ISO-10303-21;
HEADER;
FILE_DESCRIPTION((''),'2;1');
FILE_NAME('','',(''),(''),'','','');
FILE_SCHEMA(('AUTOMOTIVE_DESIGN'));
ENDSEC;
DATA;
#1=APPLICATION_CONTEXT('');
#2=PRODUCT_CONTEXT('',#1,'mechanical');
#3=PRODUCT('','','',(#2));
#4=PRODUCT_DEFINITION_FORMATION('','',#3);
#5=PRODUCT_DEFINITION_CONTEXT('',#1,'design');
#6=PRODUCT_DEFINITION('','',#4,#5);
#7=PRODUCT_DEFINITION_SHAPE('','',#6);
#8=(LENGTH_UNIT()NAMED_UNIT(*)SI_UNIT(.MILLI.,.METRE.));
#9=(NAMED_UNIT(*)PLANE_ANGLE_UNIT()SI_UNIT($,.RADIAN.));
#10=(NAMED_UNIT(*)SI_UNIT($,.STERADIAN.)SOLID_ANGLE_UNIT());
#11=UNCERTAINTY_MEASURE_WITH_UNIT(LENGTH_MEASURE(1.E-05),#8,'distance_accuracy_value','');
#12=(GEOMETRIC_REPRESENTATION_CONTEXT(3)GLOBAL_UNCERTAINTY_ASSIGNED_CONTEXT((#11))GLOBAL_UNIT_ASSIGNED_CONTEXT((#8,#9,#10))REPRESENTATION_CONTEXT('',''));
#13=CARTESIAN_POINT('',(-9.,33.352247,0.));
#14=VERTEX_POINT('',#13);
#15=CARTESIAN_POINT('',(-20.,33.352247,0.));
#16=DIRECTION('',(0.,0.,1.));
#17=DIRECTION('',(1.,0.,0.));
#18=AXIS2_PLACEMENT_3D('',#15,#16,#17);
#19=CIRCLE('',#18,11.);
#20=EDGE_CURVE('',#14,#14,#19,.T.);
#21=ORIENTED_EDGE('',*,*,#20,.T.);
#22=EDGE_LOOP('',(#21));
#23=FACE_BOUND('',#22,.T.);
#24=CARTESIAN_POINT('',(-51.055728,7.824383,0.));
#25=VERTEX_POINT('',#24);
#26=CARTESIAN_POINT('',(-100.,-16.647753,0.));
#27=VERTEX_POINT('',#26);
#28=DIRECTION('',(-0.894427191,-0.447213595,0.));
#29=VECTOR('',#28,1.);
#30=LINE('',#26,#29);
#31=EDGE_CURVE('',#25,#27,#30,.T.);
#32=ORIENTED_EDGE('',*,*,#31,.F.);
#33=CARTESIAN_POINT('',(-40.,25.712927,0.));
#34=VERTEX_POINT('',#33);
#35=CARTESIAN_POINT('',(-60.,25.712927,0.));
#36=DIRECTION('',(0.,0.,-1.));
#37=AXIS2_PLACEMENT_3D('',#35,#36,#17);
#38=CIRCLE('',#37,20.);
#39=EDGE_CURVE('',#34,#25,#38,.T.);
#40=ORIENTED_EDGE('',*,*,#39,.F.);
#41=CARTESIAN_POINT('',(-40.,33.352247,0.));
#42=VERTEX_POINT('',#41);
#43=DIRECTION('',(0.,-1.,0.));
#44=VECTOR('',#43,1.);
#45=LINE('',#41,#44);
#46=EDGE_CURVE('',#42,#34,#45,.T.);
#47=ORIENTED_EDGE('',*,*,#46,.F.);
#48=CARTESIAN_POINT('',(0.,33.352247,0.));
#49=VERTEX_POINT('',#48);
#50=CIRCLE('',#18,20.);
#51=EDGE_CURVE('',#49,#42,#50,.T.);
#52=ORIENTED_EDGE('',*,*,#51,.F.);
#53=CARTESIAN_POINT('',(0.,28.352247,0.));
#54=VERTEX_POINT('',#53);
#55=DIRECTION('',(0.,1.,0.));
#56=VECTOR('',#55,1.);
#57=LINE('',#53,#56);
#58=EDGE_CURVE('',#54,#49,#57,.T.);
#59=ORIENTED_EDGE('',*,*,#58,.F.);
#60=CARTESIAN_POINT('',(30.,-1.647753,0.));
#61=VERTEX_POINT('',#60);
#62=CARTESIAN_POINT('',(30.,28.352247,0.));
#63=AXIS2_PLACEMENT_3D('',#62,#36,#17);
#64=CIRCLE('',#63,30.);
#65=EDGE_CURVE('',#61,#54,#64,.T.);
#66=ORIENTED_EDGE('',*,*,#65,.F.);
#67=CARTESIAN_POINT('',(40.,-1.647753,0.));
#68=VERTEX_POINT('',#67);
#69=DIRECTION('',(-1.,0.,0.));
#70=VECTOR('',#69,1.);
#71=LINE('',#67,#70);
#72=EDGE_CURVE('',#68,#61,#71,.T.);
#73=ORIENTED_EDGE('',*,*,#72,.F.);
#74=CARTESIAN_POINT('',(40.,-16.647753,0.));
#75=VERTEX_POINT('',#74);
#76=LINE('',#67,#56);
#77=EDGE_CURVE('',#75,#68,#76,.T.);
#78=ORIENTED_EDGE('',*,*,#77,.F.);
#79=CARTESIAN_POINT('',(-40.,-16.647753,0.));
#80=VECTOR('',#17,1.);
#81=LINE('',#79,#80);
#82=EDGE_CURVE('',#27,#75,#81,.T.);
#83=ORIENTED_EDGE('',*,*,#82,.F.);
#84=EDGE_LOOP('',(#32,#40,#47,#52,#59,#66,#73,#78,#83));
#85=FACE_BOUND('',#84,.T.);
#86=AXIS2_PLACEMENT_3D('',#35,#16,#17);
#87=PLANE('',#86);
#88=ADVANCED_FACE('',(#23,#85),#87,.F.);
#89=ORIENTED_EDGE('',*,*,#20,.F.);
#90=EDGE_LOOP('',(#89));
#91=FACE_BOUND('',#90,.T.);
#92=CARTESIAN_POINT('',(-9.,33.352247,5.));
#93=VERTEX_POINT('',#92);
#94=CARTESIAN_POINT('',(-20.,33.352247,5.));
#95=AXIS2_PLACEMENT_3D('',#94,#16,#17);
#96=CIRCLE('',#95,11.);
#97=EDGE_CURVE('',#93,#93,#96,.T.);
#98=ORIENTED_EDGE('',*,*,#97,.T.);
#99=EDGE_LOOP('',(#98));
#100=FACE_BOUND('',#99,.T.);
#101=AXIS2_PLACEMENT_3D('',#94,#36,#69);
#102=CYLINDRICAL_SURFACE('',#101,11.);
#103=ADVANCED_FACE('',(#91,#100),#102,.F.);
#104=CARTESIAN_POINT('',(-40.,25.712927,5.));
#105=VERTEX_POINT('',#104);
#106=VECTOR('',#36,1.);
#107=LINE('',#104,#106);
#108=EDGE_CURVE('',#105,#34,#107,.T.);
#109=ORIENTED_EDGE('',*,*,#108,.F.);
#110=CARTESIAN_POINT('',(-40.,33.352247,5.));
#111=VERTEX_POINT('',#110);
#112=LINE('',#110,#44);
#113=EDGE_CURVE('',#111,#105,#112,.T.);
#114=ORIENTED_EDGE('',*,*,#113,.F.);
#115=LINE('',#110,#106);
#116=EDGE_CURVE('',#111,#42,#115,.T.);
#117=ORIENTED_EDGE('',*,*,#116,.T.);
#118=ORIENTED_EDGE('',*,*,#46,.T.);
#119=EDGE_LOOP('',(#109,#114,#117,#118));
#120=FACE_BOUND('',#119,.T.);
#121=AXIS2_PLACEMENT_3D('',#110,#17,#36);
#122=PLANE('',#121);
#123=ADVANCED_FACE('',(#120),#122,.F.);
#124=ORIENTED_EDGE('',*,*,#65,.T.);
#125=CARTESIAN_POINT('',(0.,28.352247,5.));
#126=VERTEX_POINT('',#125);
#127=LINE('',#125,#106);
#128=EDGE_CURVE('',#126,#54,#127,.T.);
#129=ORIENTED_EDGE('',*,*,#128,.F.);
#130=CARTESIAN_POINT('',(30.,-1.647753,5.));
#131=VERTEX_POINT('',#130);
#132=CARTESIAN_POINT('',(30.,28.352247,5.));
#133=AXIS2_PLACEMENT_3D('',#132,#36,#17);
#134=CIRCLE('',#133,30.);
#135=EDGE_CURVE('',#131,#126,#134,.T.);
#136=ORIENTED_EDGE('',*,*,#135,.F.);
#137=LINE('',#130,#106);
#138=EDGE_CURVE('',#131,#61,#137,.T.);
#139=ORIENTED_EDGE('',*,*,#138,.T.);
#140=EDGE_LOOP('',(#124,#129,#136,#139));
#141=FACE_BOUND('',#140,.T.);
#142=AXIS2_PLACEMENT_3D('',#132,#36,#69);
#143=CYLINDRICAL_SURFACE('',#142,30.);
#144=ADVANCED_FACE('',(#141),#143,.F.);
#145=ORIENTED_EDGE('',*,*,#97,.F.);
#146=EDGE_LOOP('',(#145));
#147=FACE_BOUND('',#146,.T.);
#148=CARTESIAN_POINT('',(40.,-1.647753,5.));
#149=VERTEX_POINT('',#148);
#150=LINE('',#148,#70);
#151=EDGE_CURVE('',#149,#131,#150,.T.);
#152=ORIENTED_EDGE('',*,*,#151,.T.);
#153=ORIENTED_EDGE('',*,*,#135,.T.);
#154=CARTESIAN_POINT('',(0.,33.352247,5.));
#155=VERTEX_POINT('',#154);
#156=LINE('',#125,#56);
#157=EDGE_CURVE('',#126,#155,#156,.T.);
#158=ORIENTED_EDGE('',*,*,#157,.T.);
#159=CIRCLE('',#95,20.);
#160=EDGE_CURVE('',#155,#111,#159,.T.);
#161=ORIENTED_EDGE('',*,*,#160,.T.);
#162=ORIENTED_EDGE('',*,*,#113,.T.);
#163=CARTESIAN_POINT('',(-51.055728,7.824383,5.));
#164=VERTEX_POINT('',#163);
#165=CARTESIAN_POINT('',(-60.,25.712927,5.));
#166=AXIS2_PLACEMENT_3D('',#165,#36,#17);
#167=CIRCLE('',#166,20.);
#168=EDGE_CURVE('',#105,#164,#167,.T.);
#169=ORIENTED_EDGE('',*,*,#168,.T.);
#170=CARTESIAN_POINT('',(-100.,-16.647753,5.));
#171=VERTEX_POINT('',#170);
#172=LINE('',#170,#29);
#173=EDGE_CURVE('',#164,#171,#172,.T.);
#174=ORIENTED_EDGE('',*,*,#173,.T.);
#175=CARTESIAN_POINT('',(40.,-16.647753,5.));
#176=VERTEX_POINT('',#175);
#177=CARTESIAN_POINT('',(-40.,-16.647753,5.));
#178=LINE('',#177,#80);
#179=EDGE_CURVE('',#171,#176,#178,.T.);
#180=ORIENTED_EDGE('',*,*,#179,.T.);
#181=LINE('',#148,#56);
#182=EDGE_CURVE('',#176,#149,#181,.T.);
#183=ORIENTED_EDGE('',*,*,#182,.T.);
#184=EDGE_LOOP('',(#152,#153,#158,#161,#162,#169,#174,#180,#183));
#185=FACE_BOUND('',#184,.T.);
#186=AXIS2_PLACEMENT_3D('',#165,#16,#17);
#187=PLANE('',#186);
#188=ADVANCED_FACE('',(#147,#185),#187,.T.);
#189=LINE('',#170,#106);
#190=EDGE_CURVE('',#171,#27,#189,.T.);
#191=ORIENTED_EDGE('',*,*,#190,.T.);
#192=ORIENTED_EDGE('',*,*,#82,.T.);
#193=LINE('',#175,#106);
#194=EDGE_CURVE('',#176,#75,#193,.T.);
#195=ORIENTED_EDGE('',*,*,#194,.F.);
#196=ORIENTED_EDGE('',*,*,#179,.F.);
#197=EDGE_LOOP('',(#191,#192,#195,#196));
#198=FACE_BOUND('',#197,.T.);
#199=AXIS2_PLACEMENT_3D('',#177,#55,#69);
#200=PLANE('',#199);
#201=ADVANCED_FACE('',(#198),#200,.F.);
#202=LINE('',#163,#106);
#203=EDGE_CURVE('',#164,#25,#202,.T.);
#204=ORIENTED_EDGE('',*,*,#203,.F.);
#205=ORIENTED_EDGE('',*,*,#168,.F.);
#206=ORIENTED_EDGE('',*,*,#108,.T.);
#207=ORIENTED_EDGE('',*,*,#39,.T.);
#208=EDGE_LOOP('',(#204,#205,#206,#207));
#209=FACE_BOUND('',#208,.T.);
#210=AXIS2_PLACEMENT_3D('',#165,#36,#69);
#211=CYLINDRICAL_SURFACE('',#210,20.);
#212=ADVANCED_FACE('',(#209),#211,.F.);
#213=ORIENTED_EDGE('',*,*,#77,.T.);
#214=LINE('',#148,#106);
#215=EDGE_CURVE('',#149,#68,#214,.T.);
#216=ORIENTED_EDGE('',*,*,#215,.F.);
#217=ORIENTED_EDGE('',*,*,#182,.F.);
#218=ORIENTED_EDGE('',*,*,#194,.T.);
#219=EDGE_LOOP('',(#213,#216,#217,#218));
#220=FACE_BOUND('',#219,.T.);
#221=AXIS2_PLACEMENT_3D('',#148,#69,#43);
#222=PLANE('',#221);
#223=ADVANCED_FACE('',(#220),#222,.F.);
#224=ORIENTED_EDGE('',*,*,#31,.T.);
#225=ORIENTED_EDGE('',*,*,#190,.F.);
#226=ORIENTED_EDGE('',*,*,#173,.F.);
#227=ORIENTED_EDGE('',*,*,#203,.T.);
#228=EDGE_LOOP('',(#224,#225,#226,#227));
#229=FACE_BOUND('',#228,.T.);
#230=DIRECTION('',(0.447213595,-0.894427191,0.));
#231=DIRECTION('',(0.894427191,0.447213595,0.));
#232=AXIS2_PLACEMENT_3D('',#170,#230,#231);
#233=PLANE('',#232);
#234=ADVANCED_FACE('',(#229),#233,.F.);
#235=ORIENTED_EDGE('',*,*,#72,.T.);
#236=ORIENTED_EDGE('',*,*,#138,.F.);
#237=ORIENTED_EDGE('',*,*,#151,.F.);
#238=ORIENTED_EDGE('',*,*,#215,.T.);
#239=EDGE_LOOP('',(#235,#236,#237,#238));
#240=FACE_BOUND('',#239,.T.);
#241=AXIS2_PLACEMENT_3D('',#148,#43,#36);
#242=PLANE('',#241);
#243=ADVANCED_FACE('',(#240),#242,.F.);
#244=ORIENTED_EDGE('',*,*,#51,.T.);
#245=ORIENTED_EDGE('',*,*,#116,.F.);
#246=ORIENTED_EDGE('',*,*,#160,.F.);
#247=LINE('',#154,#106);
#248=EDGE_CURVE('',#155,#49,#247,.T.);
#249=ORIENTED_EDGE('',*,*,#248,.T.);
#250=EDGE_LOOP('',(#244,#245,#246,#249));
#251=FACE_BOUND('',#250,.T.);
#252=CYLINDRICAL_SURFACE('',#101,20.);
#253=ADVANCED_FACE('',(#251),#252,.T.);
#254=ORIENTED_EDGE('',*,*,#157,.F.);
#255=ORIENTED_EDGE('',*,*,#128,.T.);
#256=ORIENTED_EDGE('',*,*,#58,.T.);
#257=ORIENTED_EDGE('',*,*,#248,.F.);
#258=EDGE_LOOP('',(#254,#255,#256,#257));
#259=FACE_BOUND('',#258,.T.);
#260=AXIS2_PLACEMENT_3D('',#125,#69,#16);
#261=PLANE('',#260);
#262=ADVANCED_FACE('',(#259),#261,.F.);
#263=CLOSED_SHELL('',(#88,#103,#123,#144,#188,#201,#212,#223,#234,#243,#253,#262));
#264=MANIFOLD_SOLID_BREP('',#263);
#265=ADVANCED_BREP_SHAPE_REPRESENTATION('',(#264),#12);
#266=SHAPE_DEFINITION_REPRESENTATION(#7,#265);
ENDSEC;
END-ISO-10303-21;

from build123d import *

# Parameters (mm, degrees)
SKETCH1_R           = 11
BOSS_EXTRUDE1_DEPTH = 5


with BuildPart() as part:
    # Sketch1 → Boss-Extrude1 (new body)
    with BuildSketch(Plane.XY):
        with BuildLine():
            Line((-40, -16.647753155), (-100, -16.647753155))
            Line((-100, -16.647753155), (-51.05572809, 7.8243828))
            ThreePointArc((-51.05572809, 7.8243828), (-42.986983833, 15.198304378), (-40, 25.71292662))
            Line((-40, 25.71292662), (-40, 33.352246845))
            ThreePointArc((-40, 33.352246845), (-20.000000263, 53.352247372), (0, 33.352247372))
            Line((0, 33.352247372), (0, 28.352246845))
            ThreePointArc((0, 28.352246845), (8.786796564, 7.139043409), (30, -1.647753155))
            Line((30, -1.647753155), (40, -1.647753155))
            Line((40, -1.647753155), (40, -16.647753155))
            Line((40, -16.647753155), (-40, -16.647753155))
        make_face()
        with Locations((-20, 33.352247372)):
            Circle(SKETCH1_R, mode=Mode.SUBTRACT)
    extrude(amount=BOSS_EXTRUDE1_DEPTH)


solid = part.part
